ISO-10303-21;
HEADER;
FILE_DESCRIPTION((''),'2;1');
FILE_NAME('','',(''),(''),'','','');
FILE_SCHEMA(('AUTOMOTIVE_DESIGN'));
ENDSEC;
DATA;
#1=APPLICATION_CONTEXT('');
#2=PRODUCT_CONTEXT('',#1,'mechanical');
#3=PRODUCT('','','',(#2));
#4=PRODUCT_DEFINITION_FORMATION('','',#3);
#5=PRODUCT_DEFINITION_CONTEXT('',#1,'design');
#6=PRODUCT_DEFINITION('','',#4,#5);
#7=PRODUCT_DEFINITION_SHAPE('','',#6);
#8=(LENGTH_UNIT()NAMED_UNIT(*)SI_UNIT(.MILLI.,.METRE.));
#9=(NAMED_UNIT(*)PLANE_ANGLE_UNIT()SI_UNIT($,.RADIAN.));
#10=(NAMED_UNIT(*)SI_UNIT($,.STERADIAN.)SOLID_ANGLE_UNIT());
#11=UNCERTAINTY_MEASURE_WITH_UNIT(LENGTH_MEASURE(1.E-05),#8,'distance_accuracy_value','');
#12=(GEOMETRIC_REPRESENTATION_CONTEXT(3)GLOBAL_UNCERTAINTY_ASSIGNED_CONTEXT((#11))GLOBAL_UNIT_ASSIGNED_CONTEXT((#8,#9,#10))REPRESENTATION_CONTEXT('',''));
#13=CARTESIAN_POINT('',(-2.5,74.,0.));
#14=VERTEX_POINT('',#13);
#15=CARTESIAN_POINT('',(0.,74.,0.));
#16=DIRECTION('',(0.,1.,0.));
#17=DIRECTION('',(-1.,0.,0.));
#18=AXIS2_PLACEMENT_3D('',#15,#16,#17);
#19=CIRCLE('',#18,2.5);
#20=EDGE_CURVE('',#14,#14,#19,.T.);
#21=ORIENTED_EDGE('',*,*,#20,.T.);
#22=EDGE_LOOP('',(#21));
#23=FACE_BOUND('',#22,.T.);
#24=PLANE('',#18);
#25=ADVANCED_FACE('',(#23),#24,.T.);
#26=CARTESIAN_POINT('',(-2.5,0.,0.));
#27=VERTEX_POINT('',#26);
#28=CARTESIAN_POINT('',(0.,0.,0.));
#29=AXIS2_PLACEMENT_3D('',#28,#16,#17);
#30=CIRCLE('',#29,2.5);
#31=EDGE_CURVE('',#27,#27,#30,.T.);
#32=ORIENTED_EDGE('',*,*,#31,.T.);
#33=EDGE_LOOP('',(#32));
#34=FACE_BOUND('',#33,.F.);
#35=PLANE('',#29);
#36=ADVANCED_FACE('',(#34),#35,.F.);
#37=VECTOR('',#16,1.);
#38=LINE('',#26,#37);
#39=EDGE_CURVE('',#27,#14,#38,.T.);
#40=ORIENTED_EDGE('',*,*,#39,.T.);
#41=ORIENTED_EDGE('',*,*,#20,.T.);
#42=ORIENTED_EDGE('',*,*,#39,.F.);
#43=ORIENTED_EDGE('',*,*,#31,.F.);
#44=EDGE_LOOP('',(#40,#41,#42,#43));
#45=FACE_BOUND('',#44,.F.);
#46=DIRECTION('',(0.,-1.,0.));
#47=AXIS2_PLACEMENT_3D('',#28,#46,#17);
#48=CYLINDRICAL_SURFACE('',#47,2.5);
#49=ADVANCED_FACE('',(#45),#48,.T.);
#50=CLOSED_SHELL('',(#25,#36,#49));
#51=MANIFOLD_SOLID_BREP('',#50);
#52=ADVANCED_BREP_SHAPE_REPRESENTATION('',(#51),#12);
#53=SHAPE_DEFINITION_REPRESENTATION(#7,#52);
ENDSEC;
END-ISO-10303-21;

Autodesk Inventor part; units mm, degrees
ref_plane "YZ Plane" through (0, 0, 0) normal (1, 0, 0) x (0, 1, 0)
ref_plane "XZ Plane" through (0, 0, 0) normal (0, 1, 0) x (-1, 0, 0)
ref_plane "XY Plane" through (0, 0, 0) normal (0, 0, 1) x (1, 0, 0)
sketch "Sketch1" plane through (0, 0, 0) normal (0, 1, 0) x (-1, 0, 0)
  circle A0 centre (0, 0) radius 2.5
  dimension "d0" = 5
extrude "Extrusion1" add sketch "Sketch1" along normal blind 74
thread "Thread1" size "M5x0.8" class "6g" standard "ANSI Metric M Profile" full length
properties part number "Barra Roscada M5"
